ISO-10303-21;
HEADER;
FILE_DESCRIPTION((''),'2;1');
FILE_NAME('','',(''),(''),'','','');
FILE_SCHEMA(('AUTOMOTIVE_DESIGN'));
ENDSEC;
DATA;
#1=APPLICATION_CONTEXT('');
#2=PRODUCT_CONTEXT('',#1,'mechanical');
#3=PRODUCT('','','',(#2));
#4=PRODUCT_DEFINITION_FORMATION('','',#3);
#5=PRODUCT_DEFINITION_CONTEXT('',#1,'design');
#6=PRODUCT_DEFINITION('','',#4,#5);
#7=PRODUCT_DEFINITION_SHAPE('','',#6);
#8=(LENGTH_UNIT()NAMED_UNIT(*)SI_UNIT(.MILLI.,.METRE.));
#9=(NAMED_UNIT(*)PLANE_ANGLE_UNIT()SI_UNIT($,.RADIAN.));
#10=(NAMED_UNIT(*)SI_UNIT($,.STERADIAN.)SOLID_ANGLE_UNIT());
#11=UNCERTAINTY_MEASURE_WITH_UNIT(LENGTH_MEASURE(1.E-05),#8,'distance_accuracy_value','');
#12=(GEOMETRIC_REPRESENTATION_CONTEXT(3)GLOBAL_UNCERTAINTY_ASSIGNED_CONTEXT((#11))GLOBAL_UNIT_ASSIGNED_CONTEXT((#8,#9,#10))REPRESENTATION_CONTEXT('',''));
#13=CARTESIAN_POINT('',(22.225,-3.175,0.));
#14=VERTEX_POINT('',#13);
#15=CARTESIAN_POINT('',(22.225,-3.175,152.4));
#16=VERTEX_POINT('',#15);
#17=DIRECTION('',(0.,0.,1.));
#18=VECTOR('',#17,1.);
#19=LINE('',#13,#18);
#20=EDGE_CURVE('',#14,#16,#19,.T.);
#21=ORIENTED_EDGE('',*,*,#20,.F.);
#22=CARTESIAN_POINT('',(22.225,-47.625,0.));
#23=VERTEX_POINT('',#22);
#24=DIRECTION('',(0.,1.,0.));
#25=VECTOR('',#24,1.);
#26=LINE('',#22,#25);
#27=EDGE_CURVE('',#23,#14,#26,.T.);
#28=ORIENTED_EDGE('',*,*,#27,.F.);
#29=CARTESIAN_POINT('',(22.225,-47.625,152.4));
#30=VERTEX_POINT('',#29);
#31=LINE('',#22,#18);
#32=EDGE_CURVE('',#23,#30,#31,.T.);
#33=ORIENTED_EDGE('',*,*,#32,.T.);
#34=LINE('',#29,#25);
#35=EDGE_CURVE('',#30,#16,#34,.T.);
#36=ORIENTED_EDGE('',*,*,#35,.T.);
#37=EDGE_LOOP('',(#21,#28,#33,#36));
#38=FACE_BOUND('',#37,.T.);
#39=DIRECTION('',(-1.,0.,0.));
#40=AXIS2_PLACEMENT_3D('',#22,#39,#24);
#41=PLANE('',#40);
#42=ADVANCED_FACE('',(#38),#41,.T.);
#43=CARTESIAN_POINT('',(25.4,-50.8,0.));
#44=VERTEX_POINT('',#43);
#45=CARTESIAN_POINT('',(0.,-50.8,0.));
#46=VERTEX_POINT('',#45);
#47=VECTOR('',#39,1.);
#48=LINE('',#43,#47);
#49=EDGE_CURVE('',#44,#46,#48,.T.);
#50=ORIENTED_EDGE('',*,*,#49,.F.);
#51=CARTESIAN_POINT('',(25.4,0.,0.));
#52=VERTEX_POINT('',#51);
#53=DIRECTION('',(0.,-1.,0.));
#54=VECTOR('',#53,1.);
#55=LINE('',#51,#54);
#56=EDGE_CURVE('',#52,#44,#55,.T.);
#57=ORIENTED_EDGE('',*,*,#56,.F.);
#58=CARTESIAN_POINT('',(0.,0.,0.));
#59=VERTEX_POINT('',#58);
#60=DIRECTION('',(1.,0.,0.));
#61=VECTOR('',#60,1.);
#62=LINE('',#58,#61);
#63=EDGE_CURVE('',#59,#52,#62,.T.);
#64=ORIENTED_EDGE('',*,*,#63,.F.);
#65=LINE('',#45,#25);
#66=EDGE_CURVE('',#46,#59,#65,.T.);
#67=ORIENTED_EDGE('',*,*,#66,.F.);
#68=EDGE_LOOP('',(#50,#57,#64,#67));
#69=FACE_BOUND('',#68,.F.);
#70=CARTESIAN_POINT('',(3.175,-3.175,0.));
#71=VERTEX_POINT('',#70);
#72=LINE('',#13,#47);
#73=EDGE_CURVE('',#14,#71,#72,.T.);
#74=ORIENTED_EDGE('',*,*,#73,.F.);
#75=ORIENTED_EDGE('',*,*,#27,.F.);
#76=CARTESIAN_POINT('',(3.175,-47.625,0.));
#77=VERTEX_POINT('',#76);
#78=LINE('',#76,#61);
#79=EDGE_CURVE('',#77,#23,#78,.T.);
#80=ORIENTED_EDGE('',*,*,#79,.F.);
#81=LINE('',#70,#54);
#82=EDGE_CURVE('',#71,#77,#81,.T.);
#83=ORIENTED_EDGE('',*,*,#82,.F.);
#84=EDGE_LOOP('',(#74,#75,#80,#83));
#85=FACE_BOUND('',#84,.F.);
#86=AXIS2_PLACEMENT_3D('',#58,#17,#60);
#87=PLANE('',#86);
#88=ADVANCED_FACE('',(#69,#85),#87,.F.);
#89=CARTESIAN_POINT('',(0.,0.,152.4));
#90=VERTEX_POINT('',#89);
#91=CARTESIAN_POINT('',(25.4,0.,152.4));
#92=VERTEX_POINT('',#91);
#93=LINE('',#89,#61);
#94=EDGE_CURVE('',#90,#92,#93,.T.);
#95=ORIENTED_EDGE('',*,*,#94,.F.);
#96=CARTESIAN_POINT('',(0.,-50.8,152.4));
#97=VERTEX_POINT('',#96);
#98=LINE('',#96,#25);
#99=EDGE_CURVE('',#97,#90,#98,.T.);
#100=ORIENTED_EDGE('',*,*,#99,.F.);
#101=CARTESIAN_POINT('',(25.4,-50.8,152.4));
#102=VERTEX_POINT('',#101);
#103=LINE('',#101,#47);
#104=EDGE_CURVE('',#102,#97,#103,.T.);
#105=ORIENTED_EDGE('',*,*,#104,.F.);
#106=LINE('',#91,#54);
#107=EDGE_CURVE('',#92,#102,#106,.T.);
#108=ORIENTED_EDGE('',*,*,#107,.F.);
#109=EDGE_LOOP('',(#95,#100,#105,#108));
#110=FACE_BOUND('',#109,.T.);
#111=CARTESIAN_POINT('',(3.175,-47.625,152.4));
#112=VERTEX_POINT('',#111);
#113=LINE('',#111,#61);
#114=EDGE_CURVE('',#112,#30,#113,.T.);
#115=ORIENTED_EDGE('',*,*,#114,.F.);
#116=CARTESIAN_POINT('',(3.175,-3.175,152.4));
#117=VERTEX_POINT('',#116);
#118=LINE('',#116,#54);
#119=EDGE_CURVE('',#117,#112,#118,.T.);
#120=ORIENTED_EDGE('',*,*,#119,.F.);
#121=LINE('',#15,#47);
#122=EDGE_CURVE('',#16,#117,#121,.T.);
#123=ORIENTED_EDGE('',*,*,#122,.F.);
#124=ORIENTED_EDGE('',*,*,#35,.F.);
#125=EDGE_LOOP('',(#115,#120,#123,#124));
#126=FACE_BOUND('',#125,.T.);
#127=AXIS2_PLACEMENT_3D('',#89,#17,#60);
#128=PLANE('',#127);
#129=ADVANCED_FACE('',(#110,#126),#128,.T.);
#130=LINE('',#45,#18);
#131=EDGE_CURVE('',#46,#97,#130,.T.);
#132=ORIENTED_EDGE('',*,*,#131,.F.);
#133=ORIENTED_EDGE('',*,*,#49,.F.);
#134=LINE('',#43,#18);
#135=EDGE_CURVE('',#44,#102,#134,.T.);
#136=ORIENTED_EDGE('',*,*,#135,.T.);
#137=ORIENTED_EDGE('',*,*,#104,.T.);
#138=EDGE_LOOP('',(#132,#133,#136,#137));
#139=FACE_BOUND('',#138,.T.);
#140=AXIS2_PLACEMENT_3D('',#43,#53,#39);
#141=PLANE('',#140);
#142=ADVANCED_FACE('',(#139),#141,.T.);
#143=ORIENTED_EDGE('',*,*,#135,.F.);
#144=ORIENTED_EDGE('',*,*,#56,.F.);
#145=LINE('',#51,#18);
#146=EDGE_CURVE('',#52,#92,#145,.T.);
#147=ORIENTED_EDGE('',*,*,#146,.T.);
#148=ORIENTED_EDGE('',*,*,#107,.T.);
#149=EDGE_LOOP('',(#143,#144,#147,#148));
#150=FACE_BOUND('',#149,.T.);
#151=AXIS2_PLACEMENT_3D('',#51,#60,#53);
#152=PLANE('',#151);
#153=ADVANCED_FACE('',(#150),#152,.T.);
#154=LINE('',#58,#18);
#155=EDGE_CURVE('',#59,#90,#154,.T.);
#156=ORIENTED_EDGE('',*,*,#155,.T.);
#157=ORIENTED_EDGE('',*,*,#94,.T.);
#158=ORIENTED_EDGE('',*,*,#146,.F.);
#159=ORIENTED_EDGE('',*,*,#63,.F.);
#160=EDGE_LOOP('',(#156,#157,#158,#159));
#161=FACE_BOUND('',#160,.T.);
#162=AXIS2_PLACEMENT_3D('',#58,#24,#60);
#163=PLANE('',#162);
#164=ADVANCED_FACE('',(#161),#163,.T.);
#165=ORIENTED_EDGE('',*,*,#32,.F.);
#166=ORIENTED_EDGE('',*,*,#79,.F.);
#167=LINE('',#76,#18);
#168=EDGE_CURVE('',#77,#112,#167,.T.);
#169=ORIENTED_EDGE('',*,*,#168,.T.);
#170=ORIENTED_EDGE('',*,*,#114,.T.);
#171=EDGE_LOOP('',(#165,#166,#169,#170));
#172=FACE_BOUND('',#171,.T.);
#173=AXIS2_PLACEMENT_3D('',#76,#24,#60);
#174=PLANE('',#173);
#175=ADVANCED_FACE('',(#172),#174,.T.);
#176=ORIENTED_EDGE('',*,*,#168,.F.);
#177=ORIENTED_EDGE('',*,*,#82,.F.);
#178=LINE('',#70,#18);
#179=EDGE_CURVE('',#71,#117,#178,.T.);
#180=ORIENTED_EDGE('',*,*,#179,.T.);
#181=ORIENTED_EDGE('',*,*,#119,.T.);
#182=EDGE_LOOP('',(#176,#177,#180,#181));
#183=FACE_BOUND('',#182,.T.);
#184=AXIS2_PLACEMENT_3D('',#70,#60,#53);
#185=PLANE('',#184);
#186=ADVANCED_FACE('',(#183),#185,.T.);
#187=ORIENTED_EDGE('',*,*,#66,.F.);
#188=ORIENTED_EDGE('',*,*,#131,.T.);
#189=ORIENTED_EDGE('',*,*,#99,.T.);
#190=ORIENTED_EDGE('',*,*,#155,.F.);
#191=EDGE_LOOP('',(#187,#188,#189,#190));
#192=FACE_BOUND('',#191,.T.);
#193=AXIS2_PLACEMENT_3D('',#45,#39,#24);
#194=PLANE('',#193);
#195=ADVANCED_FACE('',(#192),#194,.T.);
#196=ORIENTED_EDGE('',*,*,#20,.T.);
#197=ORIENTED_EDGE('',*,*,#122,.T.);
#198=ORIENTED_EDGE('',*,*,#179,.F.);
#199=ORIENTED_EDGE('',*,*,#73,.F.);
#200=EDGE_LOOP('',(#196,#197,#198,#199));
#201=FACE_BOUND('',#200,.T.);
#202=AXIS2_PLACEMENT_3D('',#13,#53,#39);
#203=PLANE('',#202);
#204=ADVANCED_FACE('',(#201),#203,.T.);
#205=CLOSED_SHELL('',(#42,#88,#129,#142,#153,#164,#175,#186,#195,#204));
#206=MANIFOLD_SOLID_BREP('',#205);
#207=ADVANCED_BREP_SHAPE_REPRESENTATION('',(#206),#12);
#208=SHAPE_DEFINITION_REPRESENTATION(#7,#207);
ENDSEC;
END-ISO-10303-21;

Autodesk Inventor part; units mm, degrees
ref_plane "YZ Plane" through (0, 0, 0) normal (1, 0, 0) x (0, 1, 0)
ref_plane "XZ Plane" through (0, 0, 0) normal (0, 1, 0) x (-1, 0, 0)
ref_plane "XY Plane" through (0, 0, 0) normal (0, 0, 1) x (1, 0, 0)
sketch "Sketch1" plane through (0, 0, 0) normal (0, 0, 1) x (1, 0, 0)
  line L0 (0, 0) -> (25.4, 0)
  line L1 (25.4, 0) -> (25.4, -50.8)
  line L2 (25.4, -50.8) -> (0, -50.8)
  line L3 (0, -50.8) -> (0, 0)
  line L4 (22.225, -3.175) -> (3.175, -3.175)
  line L5 (3.175, -3.175) -> (3.175, -47.625)
  line L6 (3.175, -47.625) -> (22.225, -47.625)
  line L7 (22.225, -47.625) -> (22.225, -3.175)
  dimension "d0" = 25.4
  dimension "d1" = 50.8
  dimension "d2" = 3.175
extrude "Extrusion1" add sketch "Sketch1" along normal blind 152.4
properties part number "4.5 Alum Tube"
